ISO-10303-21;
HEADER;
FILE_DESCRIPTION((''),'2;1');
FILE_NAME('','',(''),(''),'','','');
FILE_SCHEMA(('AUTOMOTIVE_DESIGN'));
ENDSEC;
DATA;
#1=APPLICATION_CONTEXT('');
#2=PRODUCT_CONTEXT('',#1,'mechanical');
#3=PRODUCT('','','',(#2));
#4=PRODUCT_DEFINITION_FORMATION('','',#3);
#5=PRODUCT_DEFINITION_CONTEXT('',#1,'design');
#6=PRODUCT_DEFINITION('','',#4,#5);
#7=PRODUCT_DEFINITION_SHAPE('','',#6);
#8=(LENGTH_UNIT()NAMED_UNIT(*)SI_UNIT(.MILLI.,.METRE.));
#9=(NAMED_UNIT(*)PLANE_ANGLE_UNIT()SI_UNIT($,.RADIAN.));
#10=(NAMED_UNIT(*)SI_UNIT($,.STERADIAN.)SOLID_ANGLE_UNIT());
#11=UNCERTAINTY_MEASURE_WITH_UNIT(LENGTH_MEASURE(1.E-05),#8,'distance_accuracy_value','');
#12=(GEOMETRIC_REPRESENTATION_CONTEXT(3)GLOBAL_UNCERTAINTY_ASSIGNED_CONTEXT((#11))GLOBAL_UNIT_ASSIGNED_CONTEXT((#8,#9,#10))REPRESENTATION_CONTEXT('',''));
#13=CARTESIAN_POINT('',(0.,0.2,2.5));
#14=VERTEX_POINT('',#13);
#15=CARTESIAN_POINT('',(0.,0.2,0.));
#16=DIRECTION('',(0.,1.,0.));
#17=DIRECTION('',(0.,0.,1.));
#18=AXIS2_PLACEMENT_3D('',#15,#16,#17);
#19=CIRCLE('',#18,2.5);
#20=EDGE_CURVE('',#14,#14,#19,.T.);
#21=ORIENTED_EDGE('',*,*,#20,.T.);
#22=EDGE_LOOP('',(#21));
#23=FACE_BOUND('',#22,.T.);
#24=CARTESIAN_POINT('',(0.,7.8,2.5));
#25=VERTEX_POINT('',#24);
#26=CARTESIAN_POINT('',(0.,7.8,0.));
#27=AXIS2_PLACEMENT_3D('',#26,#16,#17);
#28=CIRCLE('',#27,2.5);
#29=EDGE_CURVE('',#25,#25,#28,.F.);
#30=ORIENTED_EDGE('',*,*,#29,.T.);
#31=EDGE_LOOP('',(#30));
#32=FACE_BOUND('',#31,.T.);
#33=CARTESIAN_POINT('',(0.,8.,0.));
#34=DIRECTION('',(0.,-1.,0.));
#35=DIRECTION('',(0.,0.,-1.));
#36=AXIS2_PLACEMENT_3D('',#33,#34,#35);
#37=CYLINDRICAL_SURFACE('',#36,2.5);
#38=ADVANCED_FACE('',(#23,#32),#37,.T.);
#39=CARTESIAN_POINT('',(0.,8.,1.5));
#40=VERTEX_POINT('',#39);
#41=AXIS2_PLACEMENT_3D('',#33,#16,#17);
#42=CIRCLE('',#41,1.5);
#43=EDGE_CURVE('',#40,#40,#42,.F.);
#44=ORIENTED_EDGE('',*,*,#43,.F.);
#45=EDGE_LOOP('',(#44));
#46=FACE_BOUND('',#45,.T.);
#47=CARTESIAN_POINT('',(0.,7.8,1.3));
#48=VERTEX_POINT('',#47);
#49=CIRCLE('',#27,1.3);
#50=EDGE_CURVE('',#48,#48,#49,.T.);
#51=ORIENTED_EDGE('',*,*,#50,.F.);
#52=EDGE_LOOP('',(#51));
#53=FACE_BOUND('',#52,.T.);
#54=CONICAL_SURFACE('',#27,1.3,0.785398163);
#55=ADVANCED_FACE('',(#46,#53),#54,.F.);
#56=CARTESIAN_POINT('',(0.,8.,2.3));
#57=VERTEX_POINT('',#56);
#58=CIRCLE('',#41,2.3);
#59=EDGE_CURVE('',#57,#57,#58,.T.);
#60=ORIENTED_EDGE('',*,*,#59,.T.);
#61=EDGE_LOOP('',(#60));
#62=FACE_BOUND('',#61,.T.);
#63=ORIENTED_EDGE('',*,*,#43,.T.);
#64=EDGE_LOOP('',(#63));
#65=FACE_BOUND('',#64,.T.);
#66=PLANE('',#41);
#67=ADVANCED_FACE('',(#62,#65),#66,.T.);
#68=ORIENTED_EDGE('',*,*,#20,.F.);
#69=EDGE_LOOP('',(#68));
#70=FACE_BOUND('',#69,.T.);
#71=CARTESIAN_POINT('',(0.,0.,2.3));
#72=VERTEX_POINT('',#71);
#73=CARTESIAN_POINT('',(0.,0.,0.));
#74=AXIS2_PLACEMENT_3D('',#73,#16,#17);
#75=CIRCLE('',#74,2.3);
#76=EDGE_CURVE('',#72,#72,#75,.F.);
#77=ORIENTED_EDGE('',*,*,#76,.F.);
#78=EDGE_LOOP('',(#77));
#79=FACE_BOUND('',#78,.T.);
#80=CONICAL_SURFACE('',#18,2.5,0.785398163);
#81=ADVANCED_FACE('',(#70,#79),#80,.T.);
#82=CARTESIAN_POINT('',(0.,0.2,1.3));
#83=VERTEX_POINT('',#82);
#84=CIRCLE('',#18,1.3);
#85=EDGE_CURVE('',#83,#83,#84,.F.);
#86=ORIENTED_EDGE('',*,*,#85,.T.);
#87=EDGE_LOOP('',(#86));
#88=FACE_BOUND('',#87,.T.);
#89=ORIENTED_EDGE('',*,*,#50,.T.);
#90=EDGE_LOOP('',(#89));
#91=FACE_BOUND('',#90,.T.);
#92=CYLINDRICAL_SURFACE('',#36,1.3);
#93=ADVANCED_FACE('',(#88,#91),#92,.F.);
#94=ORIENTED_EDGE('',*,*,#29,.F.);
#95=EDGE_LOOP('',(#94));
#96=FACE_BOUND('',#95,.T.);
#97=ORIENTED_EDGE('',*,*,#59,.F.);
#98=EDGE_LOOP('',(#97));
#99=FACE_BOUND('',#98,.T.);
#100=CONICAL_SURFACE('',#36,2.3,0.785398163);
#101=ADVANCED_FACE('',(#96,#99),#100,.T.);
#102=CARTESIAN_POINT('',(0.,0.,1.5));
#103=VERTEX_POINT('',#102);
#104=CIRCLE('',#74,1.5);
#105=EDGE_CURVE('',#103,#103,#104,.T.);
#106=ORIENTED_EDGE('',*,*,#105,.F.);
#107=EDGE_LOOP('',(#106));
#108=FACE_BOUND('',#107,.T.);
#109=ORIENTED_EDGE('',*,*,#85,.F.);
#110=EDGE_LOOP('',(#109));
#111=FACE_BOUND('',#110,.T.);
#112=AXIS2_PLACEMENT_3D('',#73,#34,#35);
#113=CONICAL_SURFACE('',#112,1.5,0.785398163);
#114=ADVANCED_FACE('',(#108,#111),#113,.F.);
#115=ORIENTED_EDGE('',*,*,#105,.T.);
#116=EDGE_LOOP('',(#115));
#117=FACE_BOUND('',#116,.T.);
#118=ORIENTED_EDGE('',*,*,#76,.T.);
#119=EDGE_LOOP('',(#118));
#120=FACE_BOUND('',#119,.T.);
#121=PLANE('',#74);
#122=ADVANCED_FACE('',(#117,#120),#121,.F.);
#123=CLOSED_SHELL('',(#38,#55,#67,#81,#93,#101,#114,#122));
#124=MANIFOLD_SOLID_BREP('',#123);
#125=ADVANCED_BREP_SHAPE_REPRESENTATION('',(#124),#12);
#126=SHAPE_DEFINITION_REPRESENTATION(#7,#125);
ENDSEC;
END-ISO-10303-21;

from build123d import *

# Parameters (mm, degrees)
SKIZZE1_R                       = 2.5
SKIZZE1_R_2                     = 1.3
AUFSATZ_LINEAR_AUSTRAGEN1_DEPTH = 8
FASE1_SIZE                      = 0.2


with BuildPart() as part:
    # Skizze1 → Aufsatz-Linear austragen1 (new body)
    with BuildSketch(Plane(origin=(0, 0, 0), x_dir=(1, 0, 0), z_dir=(0, 1, 0))):
        Circle(SKIZZE1_R)
        Circle(SKIZZE1_R_2, mode=Mode.SUBTRACT)
    extrude(amount=AUFSATZ_LINEAR_AUSTRAGEN1_DEPTH)

    # Fase1
    fase1_edges = [part.edges().sort_by_distance(p)[0] for p in [
        (-2.5, 0, 0),
        (-2.5, 8, 0),
        (-1.3, 0, 0),
        (-1.3, 8, 0),
    ]]
    chamfer(fase1_edges, length=FASE1_SIZE)


solid = part.part
